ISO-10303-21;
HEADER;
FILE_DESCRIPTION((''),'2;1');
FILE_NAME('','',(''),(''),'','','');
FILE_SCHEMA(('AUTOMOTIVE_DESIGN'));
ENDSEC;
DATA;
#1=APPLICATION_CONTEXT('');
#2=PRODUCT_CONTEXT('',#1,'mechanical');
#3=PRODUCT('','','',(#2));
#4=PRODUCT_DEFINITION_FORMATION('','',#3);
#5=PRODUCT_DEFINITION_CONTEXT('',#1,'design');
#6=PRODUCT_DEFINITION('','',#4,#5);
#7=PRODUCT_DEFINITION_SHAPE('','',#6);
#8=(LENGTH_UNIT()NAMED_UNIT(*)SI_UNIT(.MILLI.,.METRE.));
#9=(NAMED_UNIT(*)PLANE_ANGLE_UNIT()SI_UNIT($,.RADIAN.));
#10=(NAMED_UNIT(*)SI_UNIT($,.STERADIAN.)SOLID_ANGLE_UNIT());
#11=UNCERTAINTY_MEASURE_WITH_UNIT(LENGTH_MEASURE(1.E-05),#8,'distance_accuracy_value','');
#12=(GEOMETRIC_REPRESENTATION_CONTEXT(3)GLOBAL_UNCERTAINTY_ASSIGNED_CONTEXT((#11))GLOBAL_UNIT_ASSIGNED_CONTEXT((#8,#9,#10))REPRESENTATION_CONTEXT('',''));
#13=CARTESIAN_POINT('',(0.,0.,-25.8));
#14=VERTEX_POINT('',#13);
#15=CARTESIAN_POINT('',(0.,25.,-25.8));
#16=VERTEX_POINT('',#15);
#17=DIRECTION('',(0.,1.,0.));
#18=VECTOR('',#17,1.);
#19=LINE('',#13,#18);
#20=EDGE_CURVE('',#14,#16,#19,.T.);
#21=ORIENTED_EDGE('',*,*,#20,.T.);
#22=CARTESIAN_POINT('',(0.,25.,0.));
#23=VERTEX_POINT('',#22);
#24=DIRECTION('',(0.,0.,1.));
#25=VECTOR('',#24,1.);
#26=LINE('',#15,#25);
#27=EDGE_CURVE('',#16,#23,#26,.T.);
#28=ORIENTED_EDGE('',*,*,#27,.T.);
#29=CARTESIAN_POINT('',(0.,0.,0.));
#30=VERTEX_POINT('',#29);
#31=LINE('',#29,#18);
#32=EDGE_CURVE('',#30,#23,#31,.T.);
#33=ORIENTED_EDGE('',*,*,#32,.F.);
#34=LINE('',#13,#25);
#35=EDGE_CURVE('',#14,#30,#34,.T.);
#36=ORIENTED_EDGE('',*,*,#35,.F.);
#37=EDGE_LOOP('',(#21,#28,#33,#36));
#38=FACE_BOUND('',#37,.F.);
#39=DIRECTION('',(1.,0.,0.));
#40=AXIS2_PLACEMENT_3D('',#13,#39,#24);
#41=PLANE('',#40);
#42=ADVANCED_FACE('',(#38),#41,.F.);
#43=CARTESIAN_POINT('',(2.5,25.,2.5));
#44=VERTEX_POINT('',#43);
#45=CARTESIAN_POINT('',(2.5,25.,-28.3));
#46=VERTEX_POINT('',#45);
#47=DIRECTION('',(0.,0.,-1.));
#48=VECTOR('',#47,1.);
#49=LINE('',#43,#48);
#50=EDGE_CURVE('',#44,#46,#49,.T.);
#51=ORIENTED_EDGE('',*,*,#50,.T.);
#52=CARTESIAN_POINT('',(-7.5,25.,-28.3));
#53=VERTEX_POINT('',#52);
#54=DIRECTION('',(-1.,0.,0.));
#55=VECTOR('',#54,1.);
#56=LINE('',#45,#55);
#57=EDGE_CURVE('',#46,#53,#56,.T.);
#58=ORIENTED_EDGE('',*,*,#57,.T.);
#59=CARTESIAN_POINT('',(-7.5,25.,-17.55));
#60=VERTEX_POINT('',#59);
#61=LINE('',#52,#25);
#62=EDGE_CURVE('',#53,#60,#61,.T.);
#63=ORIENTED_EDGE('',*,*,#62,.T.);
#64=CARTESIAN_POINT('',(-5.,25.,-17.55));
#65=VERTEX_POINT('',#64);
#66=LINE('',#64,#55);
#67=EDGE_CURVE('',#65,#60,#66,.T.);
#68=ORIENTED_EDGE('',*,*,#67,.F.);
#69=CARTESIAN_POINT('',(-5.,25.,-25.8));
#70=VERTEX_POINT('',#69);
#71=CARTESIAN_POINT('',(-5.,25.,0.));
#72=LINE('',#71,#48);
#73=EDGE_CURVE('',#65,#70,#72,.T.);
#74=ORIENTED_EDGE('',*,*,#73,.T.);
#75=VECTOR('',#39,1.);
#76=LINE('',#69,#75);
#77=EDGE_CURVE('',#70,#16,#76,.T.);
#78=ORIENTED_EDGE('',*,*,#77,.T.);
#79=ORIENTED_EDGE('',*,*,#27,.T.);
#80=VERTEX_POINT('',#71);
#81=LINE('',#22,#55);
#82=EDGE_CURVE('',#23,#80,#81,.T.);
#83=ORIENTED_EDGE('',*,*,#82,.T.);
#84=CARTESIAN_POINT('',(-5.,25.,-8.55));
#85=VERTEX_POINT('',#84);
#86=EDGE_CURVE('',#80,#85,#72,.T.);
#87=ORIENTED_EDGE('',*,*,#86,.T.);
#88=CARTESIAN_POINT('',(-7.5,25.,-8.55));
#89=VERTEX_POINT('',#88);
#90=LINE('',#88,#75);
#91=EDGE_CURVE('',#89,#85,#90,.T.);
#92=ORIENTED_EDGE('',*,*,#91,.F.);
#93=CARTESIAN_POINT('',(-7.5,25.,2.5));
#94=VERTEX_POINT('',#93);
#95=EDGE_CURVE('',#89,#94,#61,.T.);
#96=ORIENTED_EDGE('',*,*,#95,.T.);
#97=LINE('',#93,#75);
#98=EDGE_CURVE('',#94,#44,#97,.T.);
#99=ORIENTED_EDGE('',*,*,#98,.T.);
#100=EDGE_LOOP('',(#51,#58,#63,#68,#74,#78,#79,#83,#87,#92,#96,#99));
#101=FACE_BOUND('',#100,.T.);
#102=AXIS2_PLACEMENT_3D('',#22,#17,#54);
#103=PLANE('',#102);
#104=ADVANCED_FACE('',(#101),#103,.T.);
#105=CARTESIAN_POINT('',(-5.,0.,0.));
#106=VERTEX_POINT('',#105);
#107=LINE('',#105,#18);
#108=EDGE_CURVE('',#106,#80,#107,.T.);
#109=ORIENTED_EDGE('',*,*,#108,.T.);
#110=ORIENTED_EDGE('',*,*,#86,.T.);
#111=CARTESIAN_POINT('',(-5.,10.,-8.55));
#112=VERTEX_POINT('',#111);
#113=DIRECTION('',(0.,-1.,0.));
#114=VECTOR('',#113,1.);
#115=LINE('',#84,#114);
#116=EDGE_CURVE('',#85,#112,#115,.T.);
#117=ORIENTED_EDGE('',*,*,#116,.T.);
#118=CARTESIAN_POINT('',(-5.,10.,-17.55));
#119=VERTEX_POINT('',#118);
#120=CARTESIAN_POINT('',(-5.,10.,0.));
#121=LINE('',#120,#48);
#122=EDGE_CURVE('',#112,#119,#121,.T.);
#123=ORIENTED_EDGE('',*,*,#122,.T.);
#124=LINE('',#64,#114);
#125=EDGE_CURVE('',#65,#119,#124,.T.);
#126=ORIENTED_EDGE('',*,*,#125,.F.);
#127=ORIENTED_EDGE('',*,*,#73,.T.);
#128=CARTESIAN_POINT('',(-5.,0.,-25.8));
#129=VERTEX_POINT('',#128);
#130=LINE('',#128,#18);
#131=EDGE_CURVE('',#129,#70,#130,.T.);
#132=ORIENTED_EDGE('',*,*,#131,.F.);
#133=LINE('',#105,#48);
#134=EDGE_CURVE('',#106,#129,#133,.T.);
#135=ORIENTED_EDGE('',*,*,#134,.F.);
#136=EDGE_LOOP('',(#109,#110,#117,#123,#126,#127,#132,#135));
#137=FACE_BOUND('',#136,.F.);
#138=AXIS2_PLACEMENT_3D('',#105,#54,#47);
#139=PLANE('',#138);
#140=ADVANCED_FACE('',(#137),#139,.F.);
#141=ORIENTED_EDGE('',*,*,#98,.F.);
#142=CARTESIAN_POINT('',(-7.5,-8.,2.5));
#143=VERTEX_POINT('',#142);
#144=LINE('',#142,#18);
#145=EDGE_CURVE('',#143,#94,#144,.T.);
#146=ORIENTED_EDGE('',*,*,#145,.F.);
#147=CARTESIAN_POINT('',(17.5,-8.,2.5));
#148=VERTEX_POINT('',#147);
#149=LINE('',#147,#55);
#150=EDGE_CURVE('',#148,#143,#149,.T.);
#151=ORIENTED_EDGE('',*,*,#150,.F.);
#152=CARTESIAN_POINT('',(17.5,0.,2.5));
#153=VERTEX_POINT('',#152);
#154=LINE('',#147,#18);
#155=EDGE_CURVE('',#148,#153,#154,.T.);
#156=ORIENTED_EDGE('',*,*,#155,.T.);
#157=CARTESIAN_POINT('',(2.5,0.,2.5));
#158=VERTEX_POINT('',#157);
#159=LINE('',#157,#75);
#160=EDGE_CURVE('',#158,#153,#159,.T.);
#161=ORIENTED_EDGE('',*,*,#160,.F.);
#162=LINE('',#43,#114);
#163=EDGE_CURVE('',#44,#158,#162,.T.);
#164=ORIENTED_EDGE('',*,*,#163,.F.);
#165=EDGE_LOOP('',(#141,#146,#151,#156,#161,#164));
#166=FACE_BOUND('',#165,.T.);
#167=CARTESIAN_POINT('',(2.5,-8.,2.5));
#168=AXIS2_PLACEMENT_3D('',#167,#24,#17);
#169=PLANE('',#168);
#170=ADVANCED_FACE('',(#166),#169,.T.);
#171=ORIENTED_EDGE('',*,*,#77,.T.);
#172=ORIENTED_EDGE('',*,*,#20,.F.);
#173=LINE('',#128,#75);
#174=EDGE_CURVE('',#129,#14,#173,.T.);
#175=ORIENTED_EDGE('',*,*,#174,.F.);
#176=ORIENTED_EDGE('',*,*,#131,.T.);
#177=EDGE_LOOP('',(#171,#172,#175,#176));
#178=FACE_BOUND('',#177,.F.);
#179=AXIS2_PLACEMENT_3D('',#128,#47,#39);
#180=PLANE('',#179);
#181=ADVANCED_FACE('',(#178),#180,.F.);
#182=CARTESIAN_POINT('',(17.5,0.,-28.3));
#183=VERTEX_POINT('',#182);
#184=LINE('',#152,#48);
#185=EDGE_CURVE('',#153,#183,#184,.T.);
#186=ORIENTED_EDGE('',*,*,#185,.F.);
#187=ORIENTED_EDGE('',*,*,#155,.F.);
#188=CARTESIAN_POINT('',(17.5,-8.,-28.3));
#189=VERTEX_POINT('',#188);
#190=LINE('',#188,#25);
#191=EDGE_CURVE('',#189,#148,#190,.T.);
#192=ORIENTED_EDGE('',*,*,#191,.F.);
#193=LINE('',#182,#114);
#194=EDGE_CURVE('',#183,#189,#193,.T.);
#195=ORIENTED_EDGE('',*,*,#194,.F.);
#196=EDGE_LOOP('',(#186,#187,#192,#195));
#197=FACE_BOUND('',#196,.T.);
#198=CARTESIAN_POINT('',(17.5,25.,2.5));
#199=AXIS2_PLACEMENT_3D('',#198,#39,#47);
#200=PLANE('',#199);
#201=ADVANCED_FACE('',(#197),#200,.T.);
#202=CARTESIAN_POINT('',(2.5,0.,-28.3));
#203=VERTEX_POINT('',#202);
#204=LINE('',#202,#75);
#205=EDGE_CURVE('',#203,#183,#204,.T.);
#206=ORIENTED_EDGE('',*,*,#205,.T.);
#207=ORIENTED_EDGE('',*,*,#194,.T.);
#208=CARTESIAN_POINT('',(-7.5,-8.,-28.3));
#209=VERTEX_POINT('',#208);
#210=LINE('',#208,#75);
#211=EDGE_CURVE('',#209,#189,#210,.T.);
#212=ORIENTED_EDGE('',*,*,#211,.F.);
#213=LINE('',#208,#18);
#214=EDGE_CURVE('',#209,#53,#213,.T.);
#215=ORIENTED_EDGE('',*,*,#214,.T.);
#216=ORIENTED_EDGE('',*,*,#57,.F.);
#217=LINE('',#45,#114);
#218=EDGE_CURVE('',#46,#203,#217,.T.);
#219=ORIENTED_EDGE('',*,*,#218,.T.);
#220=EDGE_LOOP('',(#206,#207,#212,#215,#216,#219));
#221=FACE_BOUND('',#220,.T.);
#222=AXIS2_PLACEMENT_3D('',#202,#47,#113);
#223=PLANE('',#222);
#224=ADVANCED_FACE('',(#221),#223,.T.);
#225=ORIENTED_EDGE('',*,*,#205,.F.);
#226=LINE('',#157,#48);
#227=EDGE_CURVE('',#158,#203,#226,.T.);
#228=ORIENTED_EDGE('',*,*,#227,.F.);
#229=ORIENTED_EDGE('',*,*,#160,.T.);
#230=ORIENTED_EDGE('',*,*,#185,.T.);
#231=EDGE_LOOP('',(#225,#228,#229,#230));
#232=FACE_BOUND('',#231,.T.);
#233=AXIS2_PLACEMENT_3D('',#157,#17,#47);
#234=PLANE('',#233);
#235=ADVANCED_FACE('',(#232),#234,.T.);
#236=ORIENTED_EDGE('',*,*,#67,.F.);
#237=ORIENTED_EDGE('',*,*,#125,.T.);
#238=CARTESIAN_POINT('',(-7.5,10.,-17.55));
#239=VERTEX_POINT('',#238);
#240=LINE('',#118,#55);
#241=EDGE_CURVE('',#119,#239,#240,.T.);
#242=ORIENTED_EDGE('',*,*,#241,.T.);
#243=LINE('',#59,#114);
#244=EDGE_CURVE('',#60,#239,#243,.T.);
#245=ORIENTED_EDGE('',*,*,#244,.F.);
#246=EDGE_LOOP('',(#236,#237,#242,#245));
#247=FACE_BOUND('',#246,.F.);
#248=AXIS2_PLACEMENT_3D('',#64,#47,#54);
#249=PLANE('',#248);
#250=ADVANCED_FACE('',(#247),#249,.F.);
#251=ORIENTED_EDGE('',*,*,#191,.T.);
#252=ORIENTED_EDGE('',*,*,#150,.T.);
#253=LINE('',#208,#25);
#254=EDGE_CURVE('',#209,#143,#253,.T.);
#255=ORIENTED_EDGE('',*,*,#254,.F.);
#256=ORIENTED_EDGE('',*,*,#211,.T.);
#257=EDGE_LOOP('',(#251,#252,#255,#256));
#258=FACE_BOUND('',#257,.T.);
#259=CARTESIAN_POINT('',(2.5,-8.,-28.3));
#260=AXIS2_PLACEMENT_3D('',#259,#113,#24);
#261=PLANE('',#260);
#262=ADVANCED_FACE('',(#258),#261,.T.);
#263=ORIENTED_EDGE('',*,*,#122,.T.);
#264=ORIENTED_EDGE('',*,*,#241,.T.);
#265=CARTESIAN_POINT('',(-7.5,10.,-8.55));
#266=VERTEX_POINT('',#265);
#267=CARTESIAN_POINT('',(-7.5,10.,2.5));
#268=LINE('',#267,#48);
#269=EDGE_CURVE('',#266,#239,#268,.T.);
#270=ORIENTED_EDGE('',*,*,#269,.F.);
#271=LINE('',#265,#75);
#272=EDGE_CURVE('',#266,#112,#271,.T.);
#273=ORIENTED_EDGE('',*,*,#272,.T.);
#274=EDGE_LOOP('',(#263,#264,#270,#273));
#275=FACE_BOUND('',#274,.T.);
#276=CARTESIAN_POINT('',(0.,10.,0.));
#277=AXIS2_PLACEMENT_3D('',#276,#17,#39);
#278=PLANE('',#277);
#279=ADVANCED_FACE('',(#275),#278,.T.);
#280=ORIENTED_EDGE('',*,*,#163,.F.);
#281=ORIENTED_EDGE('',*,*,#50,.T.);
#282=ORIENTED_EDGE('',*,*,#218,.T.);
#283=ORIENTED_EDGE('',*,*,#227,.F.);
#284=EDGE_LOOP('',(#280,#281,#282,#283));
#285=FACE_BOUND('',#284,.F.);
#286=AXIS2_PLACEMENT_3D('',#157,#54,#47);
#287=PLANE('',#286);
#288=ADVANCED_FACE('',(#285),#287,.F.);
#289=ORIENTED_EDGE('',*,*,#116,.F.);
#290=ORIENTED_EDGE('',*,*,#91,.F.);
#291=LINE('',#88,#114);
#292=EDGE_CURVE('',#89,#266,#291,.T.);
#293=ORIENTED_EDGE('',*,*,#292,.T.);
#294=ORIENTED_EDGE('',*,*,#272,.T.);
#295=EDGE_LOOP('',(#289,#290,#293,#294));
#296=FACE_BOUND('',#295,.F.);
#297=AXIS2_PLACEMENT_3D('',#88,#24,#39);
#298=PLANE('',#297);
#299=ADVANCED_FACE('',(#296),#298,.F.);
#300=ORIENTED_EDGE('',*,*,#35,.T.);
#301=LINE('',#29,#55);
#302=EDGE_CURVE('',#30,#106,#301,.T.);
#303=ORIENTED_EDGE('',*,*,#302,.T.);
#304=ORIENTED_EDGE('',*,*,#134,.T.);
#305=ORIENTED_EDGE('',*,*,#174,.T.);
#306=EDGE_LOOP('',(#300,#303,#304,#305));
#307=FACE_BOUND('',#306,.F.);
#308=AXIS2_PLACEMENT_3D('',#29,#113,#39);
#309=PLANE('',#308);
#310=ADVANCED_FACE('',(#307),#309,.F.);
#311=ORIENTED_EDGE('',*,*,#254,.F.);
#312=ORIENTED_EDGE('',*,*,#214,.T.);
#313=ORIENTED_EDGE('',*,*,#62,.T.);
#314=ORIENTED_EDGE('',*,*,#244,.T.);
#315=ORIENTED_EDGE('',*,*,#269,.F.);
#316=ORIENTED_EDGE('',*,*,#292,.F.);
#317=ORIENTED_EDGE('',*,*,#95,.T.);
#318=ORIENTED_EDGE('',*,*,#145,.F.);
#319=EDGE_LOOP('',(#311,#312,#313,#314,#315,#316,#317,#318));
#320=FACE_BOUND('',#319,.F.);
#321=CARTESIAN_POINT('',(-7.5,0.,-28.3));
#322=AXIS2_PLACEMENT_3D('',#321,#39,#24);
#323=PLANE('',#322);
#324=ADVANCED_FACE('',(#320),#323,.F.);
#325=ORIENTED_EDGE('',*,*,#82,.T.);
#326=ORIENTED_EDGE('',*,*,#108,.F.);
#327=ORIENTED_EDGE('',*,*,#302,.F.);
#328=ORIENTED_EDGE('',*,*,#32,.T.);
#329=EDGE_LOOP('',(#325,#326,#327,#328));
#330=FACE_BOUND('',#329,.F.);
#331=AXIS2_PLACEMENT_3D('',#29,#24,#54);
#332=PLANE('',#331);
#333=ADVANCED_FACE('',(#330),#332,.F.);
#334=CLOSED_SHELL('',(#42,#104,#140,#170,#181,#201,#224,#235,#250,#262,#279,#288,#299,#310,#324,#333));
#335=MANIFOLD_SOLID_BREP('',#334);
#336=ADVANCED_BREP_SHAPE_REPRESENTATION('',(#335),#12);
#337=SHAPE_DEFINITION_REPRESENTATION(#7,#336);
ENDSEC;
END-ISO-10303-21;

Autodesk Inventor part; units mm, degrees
ref_plane "YZ Plane" through (0, 0, 0) normal (1, 0, 0) x (0, 1, 0)
ref_plane "XZ Plane" through (0, 0, 0) normal (0, 1, 0) x (-1, 0, 0)
ref_plane "XY Plane" through (0, 0, 0) normal (0, 0, 1) x (1, 0, 0)
sketch "Sketch1" plane through (0, 0, 0) normal (0, 1, 0) x (-1, 0, 0)
  line L0 (0, 0) -> (5, 0)
  line L1 (5, 0) -> (5, -25.8)
  line L2 (5, -25.8) -> (0, -25.8)
  line L3 (0, -25.8) -> (0, 0)
  line L4 (7.5, -28.3) -> (7.5, 2.5)
  line L5 (7.5, 2.5) -> (-2.5, 2.5)
  line L6 (-2.5, 2.5) -> (-2.5, -28.3)
  line L7 (-2.5, -28.3) -> (7.5, -28.3)
  dimension "d0" = 5
  dimension "d1" = 25.8
  dimension "d2" = 2.5
extrude "Extrusion1" add sketch "Sketch1" along normal blind 25
sketch "Sketch2" plane through (0, 0, 0) normal (0, -1, 0) x (1, 0, 0)
  line L0 (2.5, -28.3) -> (-7.5, -28.3) projected
  line L1 (-7.5, 2.5) -> (2.5, 2.5) projected
  line L2 (2.5, -28.3) -> (-7.5, -28.3)
  line L3 (-7.5, -28.3) -> (-7.5, 2.5)
  line L4 (-7.5, 2.5) -> (2.5, 2.5)
  line L5 (2.5, 2.5) -> (2.5, -28.3)
  point P0 (0, 0)
  point P1 (2.5, 2.5)
extrude "Extrusion2" add sketch "Sketch2" along normal blind 8
sketch "Sketch3" plane through (2.5, 25, 2.5) normal (1, 0, 0) x (0, 0, -1)
  line L0 (30.8, -33) -> (0, -33) projected
  line L1 (0, -33) -> (0, 0) projected
  line L2 (30.8, -33) -> (0, -33)
  line L3 (0, -33) -> (0, -25)
  line L4 (0, -25) -> (30.8, -25)
  line L5 (30.8, -25) -> (30.8, -33)
  point P0 (2.5, -25)
  dimension "d7" = 8
extrude "Extrusion3" add sketch "Sketch3" along normal blind 15
sketch "Sketch4" plane through (0, 25, 0) normal (0, 1, 0) x (1, 0, 0)
  line L0 (-5, 0) -> (-5, 25.8) projected
  line L1 (-7.5, -2.5) -> (-7.5, 28.3) projected
  line L2 (-5, 17.55) -> (-7.5, 17.55)
  line L3 (-7.5, 17.55) -> (-7.5, 8.55)
  line L4 (-7.5, 8.55) -> (-5, 8.55)
  line L5 (-5, 8.55) -> (-5, 17.55)
  line L6 (2.5, 28.3) -> (-7.5, 28.3) projected
  point P0 (0, 0)
  point P1 (-5, 8.55)
  point P2 (-7.5, 17.55)
  dimension "d10" = 9
  dimension "d11" = 10.75
extrude "Extrusion4" cut sketch "Sketch4" against normal blind 15
properties part number "base camera"
